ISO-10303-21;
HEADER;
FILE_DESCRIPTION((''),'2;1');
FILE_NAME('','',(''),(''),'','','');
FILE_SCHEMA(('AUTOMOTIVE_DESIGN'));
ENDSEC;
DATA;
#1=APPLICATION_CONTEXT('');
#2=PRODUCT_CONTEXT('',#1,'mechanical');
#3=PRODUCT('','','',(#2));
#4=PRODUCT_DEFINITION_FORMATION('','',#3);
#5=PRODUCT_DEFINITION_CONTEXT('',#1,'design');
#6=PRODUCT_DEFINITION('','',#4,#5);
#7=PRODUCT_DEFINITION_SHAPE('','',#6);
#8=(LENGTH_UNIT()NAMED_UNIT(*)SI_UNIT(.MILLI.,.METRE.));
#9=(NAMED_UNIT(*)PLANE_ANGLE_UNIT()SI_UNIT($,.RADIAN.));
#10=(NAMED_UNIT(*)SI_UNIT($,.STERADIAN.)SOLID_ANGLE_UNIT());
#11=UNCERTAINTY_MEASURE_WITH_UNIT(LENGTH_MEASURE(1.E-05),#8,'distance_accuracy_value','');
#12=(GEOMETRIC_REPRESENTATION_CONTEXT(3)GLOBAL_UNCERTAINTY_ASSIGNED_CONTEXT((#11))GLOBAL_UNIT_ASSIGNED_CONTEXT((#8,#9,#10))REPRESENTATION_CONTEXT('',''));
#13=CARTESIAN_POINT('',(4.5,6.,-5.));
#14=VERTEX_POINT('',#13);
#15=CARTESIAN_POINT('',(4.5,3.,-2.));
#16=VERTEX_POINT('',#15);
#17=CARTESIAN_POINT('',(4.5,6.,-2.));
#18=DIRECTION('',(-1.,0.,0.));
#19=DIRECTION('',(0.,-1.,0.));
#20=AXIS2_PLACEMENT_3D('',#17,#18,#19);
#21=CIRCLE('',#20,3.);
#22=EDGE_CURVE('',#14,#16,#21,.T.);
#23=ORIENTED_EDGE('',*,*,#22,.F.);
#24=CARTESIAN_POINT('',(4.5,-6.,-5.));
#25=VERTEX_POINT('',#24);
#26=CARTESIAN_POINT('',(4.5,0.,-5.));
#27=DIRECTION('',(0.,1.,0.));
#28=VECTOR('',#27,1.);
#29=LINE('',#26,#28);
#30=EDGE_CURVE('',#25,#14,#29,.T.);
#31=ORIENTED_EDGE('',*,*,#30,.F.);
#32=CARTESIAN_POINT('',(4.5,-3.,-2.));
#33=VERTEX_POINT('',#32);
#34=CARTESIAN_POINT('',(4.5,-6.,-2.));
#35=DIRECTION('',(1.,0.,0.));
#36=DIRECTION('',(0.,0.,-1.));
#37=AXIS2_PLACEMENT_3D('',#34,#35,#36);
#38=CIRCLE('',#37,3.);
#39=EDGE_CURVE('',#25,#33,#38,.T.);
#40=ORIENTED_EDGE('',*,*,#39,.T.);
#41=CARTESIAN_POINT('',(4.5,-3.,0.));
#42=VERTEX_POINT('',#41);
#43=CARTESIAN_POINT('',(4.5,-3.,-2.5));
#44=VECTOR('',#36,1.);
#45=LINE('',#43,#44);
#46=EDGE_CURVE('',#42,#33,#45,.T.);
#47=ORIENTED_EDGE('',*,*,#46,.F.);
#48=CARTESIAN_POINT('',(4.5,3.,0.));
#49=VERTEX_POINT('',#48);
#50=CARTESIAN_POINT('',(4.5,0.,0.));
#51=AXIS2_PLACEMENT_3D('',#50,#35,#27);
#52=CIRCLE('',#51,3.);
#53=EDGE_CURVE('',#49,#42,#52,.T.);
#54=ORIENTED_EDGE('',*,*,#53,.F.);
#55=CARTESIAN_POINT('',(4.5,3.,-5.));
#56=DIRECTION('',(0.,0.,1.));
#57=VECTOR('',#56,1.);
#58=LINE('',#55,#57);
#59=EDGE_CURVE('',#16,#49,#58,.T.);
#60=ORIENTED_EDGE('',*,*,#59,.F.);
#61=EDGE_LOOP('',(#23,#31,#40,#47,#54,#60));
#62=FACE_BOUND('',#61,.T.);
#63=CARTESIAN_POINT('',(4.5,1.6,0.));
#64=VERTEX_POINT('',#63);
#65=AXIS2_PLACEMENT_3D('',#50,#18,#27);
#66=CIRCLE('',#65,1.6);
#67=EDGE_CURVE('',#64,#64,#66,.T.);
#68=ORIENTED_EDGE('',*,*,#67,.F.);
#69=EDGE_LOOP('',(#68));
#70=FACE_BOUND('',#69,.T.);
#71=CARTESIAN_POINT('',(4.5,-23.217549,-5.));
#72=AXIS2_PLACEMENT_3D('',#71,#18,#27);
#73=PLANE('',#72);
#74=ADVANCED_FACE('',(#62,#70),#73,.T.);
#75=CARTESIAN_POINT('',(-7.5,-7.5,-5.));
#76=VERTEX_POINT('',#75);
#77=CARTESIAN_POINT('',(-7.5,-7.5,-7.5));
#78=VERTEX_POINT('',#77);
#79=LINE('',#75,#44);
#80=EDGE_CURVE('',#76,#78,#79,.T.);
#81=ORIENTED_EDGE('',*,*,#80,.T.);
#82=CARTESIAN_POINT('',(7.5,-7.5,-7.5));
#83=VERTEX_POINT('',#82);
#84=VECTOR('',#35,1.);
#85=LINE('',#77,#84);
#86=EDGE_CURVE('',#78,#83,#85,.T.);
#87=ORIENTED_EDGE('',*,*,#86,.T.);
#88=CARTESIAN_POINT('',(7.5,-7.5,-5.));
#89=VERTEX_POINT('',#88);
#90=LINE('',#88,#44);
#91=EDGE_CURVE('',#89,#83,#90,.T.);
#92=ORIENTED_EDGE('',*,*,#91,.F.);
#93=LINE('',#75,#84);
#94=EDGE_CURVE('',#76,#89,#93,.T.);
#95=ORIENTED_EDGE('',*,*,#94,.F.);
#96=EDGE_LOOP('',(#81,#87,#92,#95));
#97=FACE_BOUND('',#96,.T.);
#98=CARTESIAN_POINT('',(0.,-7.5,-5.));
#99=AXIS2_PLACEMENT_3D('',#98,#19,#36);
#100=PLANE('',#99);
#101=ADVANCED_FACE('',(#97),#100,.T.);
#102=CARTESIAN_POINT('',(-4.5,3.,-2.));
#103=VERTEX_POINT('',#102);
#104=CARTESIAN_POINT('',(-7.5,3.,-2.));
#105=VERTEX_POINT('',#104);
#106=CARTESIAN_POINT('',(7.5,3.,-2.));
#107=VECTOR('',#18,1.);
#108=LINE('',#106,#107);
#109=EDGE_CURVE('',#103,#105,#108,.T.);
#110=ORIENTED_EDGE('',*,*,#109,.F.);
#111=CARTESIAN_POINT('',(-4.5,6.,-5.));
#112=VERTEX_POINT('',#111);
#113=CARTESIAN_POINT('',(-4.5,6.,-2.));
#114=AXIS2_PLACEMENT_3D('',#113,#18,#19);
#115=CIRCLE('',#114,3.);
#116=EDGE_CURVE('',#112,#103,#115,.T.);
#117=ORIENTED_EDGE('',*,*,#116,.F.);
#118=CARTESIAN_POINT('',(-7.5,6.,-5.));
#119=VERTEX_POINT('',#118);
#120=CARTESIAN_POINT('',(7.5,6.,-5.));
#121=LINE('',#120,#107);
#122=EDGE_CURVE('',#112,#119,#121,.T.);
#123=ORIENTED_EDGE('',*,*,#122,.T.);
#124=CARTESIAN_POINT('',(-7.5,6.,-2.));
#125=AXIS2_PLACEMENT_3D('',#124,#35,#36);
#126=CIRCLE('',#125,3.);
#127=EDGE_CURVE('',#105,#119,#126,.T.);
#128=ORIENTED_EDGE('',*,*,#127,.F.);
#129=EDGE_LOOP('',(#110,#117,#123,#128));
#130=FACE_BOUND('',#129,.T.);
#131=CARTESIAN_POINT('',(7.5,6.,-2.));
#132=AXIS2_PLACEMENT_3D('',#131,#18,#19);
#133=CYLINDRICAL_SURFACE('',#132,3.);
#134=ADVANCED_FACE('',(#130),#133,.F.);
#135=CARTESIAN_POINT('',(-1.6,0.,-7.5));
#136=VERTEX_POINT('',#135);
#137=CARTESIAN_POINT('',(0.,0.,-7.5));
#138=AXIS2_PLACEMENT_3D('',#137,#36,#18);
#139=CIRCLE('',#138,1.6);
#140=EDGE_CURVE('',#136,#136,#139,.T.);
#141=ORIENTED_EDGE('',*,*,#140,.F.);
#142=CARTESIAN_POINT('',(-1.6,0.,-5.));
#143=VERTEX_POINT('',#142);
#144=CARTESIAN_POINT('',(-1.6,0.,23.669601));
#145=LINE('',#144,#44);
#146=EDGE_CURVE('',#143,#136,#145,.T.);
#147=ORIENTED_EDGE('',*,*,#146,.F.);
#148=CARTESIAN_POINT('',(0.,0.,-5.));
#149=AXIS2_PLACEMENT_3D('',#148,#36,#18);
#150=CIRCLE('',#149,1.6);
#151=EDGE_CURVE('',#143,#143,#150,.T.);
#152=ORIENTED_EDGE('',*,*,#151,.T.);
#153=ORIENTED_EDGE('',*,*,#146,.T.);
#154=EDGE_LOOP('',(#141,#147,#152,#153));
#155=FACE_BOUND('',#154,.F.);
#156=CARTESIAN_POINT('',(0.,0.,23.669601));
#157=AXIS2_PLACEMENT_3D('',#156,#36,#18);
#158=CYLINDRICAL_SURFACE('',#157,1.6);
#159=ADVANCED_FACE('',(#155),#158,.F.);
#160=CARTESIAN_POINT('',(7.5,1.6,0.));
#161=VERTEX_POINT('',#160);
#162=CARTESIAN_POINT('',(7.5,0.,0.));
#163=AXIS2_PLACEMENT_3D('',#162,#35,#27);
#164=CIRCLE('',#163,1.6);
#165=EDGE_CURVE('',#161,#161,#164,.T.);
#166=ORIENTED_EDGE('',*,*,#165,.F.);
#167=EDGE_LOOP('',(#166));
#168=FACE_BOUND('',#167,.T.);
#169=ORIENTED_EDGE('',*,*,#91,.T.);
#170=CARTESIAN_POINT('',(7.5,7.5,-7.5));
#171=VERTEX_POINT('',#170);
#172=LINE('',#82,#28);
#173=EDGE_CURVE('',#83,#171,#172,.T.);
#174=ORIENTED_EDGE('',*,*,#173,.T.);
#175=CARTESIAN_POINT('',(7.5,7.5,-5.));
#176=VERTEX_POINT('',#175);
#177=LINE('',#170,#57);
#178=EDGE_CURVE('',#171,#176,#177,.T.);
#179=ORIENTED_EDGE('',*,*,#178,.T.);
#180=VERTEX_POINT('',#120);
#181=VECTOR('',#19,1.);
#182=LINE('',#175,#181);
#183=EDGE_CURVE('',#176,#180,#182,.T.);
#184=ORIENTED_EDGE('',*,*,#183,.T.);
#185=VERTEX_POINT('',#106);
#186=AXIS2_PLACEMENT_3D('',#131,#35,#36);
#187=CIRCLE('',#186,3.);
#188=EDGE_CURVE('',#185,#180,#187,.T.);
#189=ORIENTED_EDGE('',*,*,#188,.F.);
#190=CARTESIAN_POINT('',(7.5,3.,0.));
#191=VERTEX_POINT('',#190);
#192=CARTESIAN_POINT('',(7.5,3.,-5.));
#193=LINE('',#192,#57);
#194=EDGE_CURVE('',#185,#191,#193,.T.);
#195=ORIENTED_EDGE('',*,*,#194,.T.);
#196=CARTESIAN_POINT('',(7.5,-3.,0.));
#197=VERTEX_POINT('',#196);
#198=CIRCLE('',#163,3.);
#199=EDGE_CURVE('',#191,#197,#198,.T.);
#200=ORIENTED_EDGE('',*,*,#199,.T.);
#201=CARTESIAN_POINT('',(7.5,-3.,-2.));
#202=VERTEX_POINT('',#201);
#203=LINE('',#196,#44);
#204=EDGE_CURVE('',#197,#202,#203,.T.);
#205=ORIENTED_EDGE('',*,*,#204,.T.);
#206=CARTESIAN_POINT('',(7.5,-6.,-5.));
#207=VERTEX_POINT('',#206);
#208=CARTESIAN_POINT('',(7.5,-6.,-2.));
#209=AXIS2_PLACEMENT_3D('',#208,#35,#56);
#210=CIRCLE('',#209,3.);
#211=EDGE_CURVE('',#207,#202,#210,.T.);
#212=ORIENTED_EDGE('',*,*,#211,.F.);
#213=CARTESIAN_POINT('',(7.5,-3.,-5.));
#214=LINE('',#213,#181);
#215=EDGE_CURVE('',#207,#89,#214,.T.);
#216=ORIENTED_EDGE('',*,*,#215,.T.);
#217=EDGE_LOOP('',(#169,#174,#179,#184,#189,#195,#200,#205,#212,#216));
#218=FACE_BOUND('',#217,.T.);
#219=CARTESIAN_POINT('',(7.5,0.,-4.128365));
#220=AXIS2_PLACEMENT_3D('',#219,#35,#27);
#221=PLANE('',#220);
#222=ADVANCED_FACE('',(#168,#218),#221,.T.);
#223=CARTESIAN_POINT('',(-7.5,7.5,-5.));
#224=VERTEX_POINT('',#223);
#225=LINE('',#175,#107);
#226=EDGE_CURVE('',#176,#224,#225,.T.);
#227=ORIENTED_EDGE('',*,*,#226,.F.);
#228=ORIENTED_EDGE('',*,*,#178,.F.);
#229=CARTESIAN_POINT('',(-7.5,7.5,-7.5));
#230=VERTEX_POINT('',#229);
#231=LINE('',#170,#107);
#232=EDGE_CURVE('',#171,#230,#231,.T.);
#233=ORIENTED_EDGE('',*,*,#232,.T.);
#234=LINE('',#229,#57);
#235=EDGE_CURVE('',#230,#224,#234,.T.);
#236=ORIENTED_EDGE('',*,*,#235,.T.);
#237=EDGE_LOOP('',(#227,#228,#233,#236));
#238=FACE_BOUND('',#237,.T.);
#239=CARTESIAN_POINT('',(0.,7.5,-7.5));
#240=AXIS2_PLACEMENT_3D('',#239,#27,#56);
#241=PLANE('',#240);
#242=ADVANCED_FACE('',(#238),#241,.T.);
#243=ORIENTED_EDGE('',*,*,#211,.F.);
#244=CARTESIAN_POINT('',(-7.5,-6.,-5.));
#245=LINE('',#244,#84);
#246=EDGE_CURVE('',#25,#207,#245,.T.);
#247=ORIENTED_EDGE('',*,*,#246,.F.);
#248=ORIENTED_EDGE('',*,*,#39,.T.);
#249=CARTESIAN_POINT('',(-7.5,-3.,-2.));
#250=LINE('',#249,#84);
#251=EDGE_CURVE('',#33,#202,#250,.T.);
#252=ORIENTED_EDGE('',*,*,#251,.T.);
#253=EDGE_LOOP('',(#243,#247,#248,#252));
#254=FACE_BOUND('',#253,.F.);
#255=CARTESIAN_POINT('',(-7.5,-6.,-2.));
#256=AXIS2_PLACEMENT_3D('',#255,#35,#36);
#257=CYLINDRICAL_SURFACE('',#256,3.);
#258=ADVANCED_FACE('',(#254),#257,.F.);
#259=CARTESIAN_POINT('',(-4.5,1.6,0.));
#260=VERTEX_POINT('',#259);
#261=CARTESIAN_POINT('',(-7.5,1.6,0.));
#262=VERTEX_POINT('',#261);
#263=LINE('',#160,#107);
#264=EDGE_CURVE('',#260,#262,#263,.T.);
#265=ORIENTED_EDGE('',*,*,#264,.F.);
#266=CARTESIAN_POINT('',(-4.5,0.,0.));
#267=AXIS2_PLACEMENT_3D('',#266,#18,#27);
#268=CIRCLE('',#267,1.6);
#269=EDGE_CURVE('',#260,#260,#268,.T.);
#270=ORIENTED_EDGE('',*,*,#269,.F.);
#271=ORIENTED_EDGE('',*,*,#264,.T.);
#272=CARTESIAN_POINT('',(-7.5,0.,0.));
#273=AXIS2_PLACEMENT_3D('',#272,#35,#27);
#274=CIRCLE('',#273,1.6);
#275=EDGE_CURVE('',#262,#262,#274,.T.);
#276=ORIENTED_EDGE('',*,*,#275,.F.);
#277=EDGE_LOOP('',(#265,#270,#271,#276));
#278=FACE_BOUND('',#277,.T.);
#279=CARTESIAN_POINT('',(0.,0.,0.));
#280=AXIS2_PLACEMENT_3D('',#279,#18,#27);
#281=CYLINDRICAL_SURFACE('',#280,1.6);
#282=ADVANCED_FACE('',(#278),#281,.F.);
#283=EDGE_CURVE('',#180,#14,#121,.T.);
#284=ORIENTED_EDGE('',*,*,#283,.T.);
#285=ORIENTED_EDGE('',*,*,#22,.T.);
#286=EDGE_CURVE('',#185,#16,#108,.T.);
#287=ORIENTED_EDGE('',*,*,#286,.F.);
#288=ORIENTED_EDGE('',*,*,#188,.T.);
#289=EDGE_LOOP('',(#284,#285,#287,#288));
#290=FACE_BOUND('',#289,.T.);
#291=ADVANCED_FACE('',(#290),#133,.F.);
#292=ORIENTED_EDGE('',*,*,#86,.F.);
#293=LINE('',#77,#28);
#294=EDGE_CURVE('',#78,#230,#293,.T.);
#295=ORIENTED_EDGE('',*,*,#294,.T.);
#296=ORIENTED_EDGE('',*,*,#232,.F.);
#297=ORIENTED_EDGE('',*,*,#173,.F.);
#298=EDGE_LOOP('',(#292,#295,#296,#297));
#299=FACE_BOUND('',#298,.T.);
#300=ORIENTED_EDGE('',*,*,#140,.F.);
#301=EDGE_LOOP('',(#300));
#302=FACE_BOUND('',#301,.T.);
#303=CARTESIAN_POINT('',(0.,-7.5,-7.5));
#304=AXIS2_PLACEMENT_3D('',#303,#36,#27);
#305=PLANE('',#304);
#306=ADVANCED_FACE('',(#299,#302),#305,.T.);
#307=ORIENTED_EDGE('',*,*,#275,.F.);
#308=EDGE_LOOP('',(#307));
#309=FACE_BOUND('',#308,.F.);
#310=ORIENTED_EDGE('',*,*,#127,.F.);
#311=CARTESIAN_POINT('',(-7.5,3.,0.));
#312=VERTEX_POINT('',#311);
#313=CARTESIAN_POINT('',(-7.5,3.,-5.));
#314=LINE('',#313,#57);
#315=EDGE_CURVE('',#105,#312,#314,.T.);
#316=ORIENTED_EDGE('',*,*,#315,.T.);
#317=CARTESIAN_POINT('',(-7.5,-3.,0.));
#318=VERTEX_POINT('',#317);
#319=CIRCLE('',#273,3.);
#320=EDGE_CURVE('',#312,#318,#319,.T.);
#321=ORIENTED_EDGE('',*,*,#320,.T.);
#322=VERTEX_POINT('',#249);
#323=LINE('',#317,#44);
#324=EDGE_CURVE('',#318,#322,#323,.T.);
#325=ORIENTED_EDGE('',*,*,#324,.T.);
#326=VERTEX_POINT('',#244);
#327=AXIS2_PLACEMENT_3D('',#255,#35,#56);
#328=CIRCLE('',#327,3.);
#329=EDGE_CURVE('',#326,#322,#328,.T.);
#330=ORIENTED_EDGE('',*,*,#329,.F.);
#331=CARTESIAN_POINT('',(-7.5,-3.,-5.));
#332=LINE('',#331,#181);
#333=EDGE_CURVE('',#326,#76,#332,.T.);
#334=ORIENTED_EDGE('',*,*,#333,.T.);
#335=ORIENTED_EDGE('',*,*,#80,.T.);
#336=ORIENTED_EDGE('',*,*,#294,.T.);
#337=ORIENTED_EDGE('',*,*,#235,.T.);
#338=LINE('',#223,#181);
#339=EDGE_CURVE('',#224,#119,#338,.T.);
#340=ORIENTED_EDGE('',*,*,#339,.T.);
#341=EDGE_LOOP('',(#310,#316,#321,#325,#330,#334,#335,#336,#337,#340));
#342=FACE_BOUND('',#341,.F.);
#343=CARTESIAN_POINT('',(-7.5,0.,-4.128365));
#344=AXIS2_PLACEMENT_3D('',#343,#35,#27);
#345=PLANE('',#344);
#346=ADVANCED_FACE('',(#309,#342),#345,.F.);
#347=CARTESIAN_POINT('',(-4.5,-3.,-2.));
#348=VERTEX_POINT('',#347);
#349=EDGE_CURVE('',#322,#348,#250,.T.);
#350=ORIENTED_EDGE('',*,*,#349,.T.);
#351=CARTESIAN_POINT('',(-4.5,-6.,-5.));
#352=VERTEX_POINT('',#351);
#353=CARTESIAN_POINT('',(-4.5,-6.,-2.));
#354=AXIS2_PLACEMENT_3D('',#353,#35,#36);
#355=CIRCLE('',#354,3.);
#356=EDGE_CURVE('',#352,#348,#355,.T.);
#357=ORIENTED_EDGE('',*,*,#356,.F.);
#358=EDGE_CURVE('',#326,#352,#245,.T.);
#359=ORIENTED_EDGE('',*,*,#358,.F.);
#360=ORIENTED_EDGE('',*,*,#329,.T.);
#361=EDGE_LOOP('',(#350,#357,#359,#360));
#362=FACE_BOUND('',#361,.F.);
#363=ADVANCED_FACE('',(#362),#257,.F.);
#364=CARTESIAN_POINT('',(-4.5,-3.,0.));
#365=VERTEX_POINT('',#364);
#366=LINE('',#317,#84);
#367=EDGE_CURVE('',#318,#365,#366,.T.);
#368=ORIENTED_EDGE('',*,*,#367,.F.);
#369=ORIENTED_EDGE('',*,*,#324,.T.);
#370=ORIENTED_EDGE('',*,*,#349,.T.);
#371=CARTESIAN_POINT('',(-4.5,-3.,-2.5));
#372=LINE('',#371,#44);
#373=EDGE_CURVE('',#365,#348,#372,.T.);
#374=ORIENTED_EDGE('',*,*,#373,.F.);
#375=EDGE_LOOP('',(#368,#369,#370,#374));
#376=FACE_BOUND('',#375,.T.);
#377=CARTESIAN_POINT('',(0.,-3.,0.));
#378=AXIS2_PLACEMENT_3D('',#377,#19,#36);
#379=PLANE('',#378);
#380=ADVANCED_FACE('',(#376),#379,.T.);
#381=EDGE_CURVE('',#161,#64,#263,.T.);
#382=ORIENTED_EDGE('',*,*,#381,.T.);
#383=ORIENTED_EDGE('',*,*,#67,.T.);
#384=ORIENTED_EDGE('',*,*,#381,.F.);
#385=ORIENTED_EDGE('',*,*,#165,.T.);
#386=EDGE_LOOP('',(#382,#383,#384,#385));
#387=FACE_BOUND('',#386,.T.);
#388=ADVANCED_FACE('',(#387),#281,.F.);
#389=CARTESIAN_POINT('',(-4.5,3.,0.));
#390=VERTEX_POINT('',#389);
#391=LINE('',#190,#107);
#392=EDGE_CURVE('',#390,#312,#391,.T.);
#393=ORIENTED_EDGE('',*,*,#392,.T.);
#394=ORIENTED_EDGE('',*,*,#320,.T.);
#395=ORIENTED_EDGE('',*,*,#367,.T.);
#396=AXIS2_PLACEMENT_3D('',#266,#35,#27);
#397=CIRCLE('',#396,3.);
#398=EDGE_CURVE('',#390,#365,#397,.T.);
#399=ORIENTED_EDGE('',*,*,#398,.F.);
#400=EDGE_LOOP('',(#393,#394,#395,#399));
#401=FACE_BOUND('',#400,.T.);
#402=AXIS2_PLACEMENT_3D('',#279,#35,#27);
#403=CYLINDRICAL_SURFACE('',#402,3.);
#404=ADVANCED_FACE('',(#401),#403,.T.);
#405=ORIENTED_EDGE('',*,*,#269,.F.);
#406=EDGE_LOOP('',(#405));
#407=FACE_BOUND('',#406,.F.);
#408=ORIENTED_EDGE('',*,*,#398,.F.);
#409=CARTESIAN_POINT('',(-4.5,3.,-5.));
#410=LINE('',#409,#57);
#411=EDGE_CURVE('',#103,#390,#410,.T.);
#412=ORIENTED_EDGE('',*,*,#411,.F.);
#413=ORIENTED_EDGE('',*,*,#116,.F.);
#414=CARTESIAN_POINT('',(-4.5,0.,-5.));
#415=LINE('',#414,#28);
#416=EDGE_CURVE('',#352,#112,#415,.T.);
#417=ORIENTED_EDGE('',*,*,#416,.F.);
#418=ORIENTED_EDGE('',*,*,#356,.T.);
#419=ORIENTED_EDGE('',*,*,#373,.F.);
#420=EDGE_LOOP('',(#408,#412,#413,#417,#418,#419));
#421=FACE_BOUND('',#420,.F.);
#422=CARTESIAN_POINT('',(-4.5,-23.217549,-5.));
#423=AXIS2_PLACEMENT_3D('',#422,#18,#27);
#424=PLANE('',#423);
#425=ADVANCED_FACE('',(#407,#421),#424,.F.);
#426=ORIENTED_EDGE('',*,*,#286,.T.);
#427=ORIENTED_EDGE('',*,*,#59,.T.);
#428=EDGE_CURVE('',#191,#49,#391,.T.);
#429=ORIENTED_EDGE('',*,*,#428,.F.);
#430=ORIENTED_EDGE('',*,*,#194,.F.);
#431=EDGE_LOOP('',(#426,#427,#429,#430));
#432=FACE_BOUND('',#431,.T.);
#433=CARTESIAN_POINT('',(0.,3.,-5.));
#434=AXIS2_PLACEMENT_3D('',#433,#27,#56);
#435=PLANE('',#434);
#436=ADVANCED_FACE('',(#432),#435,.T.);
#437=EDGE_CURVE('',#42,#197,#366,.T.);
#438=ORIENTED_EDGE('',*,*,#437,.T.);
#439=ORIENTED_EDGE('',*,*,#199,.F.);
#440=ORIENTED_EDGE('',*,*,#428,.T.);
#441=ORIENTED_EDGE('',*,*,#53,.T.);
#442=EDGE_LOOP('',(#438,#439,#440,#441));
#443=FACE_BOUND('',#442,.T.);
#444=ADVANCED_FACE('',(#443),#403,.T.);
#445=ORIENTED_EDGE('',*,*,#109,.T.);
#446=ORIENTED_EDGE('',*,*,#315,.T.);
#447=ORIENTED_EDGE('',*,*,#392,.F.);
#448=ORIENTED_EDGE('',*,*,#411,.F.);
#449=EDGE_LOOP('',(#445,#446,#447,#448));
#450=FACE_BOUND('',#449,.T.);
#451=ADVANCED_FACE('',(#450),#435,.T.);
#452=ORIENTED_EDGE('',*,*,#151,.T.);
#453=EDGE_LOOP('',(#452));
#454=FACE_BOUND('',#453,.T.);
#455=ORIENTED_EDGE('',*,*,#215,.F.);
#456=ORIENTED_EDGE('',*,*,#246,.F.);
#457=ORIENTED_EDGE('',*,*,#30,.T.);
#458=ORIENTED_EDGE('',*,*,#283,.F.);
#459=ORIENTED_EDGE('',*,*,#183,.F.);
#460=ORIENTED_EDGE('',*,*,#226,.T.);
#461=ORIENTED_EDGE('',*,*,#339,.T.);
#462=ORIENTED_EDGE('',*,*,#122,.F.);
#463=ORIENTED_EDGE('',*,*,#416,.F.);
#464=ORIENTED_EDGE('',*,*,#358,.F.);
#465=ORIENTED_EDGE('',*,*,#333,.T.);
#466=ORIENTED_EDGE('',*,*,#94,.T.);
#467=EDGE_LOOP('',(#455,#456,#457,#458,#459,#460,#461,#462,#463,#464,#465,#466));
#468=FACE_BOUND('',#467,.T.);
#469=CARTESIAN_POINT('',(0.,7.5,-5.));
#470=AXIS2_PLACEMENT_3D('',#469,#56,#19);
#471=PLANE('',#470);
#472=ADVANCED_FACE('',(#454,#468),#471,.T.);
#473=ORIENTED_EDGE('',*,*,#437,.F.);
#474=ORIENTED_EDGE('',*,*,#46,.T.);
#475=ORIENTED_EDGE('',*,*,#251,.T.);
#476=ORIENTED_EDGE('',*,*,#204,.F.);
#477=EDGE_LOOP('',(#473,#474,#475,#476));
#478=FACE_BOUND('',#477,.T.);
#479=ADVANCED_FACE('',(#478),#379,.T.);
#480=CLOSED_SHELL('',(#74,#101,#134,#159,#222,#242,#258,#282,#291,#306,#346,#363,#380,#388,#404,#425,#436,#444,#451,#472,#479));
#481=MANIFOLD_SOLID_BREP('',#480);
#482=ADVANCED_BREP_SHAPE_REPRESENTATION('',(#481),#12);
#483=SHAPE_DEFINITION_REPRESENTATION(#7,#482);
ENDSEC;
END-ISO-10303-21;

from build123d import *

# Parameters (mm, degrees)
F0_R     = 1.6
F1_DEPTH = 7.5
F2_R     = 3
F3_W     = 9
F3_H     = 46.435098
F4_DEPTH = 8.001
F6_D     = 3.2


with BuildPart() as f1:
    # F0 (on Right) → F1 (new body, symmetric)
    with BuildSketch(Plane.YZ):
        with BuildLine():
            ThreePointArc((3, 0), (0, 3), (-3, 0))
            Line((-3, 0), (-3, -5))
            Line((-3, -5), (-7.5, -5))
            Line((-7.5, -5), (-7.5, -7.5))
            Line((-7.5, -7.5), (7.5, -7.5))
            Line((7.5, -7.5), (7.5, -5))
            Line((7.5, -5), (3, -5))
            Line((3, -5), (3, 0))
        make_face()
        Circle(F0_R, mode=Mode.SUBTRACT)
    extrude(amount=F1_DEPTH, both=True)

    # F2
    f2_edges = [f1.edges().sort_by_distance(p)[0] for p in [
        (0, -3, -5),
        (0, 3, -5),
    ]]
    fillet(f2_edges, radius=F2_R)

    # F3 (on face) → F4 (cut, through all)
    with BuildSketch(Plane.XY.offset(-5)):
        Rectangle(F3_W, F3_H)
    extrude(amount=F4_DEPTH, mode=Mode.SUBTRACT)

    # F6 (through all)
    with Locations(Plane.XY):
        with Locations((0, 0)):
            Hole(F6_D / 2)


solid = f1.part
